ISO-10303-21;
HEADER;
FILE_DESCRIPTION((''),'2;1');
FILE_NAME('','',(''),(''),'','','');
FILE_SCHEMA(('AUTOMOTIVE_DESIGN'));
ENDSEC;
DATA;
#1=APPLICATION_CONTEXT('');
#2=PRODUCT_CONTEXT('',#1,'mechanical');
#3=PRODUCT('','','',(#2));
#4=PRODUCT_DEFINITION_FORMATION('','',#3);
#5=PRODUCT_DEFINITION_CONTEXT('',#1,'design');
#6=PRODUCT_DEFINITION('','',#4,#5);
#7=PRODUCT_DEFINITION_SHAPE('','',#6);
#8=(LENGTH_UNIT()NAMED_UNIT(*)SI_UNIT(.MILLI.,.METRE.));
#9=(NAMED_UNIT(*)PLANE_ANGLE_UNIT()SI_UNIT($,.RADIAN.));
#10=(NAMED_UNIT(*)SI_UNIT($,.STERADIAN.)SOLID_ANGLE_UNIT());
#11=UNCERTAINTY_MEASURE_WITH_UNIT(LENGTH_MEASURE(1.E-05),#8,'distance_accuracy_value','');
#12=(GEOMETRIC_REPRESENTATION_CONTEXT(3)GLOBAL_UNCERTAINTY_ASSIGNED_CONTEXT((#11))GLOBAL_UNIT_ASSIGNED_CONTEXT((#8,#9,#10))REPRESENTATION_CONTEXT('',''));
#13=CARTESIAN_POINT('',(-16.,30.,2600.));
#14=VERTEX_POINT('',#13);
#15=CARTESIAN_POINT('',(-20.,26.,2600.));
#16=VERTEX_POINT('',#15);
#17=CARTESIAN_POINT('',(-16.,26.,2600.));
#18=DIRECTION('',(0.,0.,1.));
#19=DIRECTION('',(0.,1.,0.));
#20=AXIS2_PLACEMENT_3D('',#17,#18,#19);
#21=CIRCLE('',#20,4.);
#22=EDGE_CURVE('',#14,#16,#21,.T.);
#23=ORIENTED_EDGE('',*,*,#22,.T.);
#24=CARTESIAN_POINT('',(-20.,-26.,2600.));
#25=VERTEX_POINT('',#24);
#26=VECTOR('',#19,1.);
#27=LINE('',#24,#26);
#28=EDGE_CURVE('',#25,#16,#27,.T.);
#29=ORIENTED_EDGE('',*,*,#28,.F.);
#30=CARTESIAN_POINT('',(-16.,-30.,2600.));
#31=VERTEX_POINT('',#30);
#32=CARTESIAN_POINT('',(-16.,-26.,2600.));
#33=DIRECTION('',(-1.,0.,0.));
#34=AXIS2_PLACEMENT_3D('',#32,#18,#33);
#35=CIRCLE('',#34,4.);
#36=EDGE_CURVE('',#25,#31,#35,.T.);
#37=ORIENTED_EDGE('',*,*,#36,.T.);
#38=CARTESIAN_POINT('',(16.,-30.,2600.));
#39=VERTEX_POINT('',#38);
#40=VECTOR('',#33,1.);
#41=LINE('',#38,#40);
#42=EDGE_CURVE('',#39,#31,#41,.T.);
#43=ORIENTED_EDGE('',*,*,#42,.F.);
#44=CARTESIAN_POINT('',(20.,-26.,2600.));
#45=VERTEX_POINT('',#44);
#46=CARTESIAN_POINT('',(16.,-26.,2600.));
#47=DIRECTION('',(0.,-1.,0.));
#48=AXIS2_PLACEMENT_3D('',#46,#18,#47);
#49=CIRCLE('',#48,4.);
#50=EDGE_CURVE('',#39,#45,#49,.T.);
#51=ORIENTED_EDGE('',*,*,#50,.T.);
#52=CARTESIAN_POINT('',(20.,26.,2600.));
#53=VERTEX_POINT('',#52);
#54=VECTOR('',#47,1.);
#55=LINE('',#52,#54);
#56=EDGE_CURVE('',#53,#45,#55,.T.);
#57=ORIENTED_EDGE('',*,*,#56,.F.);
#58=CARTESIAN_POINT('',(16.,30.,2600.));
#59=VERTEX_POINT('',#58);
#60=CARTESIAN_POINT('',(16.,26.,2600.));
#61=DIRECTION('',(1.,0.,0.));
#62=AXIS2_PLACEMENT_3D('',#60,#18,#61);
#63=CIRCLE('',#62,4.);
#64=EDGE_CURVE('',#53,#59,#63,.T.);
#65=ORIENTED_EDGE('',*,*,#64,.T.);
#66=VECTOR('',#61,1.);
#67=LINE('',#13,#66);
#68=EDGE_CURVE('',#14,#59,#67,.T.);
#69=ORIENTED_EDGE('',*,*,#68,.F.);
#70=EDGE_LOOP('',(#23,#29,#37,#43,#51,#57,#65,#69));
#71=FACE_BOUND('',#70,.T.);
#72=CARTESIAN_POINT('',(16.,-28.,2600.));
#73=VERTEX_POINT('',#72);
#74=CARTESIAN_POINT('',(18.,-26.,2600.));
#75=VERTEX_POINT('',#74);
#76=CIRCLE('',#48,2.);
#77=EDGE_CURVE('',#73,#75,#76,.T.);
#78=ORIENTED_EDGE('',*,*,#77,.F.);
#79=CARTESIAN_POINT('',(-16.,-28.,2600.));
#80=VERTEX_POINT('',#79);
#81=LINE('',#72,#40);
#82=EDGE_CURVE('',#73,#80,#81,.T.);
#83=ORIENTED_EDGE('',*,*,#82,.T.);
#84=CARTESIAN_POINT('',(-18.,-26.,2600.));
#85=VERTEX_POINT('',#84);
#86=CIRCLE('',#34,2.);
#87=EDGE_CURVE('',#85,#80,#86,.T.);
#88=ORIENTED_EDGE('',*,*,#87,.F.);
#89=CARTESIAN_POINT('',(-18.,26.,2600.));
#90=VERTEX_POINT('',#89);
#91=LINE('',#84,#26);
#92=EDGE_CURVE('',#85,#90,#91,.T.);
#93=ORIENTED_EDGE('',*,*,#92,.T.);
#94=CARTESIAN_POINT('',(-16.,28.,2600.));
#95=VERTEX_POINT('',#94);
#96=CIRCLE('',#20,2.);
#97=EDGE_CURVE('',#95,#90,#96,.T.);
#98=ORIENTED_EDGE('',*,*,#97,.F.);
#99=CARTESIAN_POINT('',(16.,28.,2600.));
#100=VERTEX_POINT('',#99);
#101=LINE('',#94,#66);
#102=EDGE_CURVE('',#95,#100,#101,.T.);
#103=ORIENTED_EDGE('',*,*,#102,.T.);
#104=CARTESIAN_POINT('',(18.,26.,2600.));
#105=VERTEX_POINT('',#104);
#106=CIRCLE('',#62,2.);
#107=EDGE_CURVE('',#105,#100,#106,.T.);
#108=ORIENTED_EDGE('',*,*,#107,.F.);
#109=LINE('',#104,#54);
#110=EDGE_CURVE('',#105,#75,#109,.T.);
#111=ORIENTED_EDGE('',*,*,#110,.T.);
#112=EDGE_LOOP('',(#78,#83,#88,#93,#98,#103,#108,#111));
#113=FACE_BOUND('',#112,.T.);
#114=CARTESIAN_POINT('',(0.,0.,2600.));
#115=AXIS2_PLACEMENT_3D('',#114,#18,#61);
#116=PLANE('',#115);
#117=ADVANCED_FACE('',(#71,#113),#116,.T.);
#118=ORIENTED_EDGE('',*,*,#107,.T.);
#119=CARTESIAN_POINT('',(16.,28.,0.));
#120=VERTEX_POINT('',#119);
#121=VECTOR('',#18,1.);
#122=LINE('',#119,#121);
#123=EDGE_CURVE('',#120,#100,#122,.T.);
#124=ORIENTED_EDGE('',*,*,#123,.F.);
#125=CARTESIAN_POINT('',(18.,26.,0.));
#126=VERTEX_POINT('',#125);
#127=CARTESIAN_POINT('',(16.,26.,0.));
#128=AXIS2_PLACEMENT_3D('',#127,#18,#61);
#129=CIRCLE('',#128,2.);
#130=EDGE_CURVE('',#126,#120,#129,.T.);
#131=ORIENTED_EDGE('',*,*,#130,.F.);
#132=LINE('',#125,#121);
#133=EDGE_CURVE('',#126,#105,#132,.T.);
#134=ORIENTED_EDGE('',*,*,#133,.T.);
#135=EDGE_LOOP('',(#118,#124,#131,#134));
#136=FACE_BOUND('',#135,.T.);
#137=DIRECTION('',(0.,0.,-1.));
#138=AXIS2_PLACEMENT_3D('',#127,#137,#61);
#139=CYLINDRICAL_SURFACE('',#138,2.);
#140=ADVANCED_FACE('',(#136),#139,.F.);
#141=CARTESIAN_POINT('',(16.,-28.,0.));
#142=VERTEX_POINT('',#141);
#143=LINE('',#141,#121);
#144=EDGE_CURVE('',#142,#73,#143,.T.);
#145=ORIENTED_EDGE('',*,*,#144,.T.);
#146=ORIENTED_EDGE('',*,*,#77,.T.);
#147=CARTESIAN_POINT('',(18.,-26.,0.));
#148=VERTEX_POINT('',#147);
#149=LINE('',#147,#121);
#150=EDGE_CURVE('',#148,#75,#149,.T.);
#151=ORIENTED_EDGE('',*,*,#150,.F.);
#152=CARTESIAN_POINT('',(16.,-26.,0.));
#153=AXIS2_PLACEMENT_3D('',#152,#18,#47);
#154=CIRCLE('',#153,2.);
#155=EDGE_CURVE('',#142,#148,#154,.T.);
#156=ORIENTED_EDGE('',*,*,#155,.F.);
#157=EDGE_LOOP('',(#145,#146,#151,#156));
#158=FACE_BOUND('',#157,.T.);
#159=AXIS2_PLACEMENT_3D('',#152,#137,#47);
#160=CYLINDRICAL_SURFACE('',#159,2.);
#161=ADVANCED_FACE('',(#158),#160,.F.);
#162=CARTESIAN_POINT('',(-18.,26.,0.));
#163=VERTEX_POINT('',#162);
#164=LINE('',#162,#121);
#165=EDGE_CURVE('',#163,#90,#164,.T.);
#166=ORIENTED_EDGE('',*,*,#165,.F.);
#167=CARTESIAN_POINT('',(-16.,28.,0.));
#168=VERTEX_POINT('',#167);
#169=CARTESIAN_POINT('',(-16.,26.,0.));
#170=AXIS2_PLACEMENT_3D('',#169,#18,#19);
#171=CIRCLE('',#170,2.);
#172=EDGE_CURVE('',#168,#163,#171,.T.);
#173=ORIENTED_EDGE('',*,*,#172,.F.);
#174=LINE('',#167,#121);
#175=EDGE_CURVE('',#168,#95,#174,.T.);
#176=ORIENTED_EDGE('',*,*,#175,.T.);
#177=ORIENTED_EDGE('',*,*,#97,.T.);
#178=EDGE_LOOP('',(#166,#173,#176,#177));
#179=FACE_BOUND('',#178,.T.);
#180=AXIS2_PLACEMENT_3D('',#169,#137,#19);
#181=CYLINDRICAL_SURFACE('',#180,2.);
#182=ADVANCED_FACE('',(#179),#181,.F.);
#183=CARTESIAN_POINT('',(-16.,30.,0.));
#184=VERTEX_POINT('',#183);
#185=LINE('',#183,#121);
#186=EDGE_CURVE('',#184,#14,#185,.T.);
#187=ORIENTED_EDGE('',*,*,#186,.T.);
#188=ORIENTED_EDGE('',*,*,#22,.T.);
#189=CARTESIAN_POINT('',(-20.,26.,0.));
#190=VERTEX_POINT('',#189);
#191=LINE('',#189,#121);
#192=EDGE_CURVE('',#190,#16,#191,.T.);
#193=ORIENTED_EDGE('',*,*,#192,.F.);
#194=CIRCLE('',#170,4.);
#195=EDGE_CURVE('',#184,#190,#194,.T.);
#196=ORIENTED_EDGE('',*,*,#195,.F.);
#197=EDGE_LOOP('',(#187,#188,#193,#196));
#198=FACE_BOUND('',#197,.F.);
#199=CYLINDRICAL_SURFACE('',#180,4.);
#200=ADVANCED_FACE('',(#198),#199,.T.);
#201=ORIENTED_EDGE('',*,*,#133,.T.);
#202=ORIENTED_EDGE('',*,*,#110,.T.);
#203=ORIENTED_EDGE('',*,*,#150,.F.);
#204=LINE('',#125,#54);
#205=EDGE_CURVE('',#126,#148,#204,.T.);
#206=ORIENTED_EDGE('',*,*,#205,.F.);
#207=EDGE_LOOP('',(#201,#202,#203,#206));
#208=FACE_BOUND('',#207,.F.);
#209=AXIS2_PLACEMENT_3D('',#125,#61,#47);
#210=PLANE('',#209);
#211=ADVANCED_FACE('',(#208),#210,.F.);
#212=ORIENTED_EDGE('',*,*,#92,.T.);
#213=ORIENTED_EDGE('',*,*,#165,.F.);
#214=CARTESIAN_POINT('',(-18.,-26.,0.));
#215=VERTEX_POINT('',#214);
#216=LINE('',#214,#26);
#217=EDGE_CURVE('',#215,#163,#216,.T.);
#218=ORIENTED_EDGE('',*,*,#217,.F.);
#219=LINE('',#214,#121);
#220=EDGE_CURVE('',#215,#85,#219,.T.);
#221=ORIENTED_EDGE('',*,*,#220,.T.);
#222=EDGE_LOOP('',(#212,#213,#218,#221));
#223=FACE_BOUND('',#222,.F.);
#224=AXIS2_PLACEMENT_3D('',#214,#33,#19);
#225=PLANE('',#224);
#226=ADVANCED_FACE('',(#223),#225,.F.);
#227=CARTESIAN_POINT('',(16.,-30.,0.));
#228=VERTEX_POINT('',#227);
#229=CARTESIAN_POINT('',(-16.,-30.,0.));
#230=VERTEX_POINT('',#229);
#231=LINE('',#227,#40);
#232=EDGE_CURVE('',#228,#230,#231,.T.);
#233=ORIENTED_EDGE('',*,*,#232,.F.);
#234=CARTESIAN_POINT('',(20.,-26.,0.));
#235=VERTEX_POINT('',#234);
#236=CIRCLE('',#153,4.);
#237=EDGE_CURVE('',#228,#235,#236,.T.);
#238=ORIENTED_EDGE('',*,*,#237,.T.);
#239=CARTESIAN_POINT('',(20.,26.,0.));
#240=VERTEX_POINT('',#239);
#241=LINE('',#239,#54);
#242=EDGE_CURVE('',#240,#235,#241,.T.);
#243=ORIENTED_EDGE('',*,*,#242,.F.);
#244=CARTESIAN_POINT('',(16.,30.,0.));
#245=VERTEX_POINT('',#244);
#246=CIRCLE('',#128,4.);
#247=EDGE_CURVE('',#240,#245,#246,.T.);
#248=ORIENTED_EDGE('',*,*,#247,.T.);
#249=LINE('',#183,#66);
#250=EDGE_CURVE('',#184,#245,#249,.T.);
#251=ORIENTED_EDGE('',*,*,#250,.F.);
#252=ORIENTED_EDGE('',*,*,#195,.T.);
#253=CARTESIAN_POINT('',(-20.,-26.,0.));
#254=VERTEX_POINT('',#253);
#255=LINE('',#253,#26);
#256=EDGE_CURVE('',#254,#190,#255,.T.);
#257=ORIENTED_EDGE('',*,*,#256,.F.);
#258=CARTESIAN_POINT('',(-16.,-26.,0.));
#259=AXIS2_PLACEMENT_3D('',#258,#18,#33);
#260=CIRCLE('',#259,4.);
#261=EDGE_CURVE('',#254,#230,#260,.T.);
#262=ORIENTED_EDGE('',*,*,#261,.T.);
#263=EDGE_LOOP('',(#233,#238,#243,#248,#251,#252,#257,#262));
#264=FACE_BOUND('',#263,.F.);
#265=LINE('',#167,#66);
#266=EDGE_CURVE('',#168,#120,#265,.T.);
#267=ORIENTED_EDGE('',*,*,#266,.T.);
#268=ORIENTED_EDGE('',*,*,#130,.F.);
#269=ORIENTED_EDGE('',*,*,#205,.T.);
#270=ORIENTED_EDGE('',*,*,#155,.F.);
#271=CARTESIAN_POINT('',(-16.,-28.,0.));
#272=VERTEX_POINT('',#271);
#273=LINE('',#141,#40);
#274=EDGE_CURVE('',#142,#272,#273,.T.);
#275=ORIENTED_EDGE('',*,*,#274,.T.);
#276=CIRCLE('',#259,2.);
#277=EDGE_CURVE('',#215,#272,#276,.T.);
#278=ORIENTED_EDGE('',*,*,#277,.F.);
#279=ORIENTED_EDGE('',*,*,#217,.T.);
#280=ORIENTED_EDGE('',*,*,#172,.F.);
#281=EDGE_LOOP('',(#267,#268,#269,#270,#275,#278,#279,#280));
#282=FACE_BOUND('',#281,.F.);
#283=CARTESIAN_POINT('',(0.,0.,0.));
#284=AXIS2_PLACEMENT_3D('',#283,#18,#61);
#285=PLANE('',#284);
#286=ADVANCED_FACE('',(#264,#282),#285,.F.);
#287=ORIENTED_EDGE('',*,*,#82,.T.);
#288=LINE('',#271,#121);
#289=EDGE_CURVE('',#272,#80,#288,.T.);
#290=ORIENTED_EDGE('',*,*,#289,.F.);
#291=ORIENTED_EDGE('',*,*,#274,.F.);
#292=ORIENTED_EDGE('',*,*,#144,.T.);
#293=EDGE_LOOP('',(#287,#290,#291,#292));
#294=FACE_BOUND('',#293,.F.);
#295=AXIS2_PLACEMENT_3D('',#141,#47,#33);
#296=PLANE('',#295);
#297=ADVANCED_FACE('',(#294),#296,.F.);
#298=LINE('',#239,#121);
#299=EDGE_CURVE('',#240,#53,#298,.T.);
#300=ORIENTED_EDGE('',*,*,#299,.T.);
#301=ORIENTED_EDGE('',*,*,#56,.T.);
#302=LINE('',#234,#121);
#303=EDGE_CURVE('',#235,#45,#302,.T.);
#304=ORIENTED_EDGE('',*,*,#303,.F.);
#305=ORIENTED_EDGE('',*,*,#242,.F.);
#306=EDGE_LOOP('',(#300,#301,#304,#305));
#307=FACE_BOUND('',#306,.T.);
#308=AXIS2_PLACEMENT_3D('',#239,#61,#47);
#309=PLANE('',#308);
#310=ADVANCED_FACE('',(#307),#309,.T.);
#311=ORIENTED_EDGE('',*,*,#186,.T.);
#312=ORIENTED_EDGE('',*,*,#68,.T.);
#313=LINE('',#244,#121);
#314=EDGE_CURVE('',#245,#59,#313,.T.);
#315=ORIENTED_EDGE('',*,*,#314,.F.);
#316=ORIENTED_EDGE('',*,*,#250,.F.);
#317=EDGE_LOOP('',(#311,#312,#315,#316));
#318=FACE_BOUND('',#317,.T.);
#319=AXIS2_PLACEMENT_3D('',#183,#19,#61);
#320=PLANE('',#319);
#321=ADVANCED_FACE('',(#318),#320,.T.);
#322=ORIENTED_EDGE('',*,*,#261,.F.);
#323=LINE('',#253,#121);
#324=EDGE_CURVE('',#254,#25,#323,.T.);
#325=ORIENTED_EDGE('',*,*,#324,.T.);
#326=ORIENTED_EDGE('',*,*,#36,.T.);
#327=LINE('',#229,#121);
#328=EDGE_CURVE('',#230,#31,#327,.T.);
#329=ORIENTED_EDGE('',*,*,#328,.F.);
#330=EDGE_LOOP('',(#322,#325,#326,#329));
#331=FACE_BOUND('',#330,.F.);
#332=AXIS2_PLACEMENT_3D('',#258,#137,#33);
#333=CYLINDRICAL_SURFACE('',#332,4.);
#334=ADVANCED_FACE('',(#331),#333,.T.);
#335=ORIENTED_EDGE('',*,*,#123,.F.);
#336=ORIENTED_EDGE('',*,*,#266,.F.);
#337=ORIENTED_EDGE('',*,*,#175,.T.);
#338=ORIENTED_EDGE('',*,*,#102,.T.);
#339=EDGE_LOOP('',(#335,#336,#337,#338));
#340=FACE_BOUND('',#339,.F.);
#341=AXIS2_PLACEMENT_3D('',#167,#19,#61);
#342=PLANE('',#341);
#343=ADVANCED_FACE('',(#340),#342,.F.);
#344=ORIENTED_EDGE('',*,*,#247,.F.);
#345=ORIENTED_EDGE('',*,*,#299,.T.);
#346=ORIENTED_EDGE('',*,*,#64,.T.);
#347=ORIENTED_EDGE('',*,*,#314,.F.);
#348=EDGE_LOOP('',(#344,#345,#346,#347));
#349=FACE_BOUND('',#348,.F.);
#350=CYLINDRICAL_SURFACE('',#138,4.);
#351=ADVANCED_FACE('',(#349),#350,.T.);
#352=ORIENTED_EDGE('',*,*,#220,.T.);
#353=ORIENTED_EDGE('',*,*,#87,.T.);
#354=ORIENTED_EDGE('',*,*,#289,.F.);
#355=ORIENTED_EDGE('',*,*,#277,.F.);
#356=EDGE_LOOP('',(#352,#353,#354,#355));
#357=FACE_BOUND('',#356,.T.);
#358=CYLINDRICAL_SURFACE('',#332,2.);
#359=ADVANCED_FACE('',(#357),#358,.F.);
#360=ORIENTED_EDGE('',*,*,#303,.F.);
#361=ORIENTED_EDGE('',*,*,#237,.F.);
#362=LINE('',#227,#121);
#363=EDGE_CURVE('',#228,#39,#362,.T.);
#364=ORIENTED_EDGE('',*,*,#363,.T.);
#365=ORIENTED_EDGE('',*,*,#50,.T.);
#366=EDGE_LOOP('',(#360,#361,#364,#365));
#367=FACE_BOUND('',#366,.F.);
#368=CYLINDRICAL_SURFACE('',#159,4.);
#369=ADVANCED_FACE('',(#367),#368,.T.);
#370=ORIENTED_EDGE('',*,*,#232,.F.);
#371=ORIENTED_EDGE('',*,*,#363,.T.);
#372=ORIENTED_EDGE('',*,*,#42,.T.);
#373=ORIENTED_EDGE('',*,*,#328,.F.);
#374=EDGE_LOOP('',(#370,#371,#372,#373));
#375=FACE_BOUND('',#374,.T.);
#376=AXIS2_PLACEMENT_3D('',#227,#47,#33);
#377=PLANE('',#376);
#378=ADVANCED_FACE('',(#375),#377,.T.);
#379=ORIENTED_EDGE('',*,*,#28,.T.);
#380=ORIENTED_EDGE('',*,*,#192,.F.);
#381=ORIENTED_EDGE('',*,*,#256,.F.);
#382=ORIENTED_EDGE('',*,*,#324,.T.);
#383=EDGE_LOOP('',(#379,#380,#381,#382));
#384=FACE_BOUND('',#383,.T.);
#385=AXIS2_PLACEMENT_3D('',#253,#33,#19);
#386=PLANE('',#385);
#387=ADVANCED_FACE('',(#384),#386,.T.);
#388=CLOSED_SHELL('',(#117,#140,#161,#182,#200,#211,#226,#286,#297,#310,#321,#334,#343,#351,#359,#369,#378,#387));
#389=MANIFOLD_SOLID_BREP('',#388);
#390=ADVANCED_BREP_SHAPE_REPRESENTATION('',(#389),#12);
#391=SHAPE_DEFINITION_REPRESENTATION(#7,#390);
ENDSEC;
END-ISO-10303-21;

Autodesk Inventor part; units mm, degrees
ref_plane "YZ Plane" through (0, 0, 0) normal (1, 0, 0) x (0, 1, 0)
ref_plane "Start Plane" through (0, 0, 0) normal (0, 0, 1) x (1, 0, 0)
ref_plane "End Plane" through (0, 0, 2600) normal (0, 0, 1) x (1, 0, 0)
sketch "Sketch" plane through (0, 0, 0) normal (0, 0, 1) x (1, 0, 0)
  line L0 (-20, -26) -> (-20, 26)
  line L1 (-16, 30) -> (16, 30)
  line L2 (20, 26) -> (20, -26)
  line L3 (16, -30) -> (-16, -30)
  arc A0 (-20, -26) -> (-16, -30) centre (-16, -26) ccw
  arc A1 (20, 26) -> (16, 30) centre (16, 26) ccw
  arc A2 (-16, 30) -> (-20, 26) centre (-16, 26) ccw
  arc A3 (16, -30) -> (20, -26) centre (16, -26) ccw
  arc A4 (-16, 28) -> (-18, 26) centre (-16, 26) ccw
  line L4 (-16, 28) -> (16, 28)
  arc A5 (18, 26) -> (16, 28) centre (16, 26) ccw
  line L5 (18, 26) -> (18, -26)
  arc A6 (16, -28) -> (18, -26) centre (16, -26) ccw
  line L6 (16, -28) -> (-16, -28)
  arc A7 (-18, -26) -> (-16, -28) centre (-16, -26) ccw
  line L7 (-18, -26) -> (-18, 26)
  line L8 (0, 43.1598) -> (0, -43.1598) construction
  line L9 (-29.1598, 0) -> (29.1598, 0) construction
  dimension "d7" = 4
  dimension "d9" = 40
  dimension "d11" = 60
  dimension "d12" = 2
  dimension "d15" = 20
  dimension "d16" = 30
extrude "Body" add sketch "Sketch" along normal up to surface (2600 mm away) from surface at 0
sketch "Sketch3" plane through (0, 0, 0) normal (0, 0, 1) x (1, 0, 0)
  line L0 (0, 0) -> (10, 0)
ref_plane "Work Plane3" through (0, 0, 0) normal (0, -1, 0) x (1, 0, 0)
sketch "Sketch4" plane through (0, 0, 0) normal (0, -1, 0) x (1, 0, 0)
  line L0 (-2, 0) -> (12, 0) projected
  line L1 (-2, 2600) -> (12, 2600) projected
  dimension "d18" = 2600
equation "\"d7\" = G_IR"
equation "\"d9\" = G_W"
equation "\"d11\" = G_H"
equation "\"d12\" = G_T"
equation "\"d15\" = 0.5 * d9"
equation "\"d16\" = 0.5 * d11"
equation "\"d3\" = G_L"
equation "\"G_W\" = 40"
equation "\"G_H\" = 60"
equation "\"G_T\" = 2"
equation "\"G_IR\" = 4"
equation "\"G_L\" = d18"
equation "\"G_OFFSET_START\" = 0"
equation "\"G_OFFSET_END\" = 0"
properties part number "ISO 4019 - 60x40x2 - 2600" material "Steel, Mild"
